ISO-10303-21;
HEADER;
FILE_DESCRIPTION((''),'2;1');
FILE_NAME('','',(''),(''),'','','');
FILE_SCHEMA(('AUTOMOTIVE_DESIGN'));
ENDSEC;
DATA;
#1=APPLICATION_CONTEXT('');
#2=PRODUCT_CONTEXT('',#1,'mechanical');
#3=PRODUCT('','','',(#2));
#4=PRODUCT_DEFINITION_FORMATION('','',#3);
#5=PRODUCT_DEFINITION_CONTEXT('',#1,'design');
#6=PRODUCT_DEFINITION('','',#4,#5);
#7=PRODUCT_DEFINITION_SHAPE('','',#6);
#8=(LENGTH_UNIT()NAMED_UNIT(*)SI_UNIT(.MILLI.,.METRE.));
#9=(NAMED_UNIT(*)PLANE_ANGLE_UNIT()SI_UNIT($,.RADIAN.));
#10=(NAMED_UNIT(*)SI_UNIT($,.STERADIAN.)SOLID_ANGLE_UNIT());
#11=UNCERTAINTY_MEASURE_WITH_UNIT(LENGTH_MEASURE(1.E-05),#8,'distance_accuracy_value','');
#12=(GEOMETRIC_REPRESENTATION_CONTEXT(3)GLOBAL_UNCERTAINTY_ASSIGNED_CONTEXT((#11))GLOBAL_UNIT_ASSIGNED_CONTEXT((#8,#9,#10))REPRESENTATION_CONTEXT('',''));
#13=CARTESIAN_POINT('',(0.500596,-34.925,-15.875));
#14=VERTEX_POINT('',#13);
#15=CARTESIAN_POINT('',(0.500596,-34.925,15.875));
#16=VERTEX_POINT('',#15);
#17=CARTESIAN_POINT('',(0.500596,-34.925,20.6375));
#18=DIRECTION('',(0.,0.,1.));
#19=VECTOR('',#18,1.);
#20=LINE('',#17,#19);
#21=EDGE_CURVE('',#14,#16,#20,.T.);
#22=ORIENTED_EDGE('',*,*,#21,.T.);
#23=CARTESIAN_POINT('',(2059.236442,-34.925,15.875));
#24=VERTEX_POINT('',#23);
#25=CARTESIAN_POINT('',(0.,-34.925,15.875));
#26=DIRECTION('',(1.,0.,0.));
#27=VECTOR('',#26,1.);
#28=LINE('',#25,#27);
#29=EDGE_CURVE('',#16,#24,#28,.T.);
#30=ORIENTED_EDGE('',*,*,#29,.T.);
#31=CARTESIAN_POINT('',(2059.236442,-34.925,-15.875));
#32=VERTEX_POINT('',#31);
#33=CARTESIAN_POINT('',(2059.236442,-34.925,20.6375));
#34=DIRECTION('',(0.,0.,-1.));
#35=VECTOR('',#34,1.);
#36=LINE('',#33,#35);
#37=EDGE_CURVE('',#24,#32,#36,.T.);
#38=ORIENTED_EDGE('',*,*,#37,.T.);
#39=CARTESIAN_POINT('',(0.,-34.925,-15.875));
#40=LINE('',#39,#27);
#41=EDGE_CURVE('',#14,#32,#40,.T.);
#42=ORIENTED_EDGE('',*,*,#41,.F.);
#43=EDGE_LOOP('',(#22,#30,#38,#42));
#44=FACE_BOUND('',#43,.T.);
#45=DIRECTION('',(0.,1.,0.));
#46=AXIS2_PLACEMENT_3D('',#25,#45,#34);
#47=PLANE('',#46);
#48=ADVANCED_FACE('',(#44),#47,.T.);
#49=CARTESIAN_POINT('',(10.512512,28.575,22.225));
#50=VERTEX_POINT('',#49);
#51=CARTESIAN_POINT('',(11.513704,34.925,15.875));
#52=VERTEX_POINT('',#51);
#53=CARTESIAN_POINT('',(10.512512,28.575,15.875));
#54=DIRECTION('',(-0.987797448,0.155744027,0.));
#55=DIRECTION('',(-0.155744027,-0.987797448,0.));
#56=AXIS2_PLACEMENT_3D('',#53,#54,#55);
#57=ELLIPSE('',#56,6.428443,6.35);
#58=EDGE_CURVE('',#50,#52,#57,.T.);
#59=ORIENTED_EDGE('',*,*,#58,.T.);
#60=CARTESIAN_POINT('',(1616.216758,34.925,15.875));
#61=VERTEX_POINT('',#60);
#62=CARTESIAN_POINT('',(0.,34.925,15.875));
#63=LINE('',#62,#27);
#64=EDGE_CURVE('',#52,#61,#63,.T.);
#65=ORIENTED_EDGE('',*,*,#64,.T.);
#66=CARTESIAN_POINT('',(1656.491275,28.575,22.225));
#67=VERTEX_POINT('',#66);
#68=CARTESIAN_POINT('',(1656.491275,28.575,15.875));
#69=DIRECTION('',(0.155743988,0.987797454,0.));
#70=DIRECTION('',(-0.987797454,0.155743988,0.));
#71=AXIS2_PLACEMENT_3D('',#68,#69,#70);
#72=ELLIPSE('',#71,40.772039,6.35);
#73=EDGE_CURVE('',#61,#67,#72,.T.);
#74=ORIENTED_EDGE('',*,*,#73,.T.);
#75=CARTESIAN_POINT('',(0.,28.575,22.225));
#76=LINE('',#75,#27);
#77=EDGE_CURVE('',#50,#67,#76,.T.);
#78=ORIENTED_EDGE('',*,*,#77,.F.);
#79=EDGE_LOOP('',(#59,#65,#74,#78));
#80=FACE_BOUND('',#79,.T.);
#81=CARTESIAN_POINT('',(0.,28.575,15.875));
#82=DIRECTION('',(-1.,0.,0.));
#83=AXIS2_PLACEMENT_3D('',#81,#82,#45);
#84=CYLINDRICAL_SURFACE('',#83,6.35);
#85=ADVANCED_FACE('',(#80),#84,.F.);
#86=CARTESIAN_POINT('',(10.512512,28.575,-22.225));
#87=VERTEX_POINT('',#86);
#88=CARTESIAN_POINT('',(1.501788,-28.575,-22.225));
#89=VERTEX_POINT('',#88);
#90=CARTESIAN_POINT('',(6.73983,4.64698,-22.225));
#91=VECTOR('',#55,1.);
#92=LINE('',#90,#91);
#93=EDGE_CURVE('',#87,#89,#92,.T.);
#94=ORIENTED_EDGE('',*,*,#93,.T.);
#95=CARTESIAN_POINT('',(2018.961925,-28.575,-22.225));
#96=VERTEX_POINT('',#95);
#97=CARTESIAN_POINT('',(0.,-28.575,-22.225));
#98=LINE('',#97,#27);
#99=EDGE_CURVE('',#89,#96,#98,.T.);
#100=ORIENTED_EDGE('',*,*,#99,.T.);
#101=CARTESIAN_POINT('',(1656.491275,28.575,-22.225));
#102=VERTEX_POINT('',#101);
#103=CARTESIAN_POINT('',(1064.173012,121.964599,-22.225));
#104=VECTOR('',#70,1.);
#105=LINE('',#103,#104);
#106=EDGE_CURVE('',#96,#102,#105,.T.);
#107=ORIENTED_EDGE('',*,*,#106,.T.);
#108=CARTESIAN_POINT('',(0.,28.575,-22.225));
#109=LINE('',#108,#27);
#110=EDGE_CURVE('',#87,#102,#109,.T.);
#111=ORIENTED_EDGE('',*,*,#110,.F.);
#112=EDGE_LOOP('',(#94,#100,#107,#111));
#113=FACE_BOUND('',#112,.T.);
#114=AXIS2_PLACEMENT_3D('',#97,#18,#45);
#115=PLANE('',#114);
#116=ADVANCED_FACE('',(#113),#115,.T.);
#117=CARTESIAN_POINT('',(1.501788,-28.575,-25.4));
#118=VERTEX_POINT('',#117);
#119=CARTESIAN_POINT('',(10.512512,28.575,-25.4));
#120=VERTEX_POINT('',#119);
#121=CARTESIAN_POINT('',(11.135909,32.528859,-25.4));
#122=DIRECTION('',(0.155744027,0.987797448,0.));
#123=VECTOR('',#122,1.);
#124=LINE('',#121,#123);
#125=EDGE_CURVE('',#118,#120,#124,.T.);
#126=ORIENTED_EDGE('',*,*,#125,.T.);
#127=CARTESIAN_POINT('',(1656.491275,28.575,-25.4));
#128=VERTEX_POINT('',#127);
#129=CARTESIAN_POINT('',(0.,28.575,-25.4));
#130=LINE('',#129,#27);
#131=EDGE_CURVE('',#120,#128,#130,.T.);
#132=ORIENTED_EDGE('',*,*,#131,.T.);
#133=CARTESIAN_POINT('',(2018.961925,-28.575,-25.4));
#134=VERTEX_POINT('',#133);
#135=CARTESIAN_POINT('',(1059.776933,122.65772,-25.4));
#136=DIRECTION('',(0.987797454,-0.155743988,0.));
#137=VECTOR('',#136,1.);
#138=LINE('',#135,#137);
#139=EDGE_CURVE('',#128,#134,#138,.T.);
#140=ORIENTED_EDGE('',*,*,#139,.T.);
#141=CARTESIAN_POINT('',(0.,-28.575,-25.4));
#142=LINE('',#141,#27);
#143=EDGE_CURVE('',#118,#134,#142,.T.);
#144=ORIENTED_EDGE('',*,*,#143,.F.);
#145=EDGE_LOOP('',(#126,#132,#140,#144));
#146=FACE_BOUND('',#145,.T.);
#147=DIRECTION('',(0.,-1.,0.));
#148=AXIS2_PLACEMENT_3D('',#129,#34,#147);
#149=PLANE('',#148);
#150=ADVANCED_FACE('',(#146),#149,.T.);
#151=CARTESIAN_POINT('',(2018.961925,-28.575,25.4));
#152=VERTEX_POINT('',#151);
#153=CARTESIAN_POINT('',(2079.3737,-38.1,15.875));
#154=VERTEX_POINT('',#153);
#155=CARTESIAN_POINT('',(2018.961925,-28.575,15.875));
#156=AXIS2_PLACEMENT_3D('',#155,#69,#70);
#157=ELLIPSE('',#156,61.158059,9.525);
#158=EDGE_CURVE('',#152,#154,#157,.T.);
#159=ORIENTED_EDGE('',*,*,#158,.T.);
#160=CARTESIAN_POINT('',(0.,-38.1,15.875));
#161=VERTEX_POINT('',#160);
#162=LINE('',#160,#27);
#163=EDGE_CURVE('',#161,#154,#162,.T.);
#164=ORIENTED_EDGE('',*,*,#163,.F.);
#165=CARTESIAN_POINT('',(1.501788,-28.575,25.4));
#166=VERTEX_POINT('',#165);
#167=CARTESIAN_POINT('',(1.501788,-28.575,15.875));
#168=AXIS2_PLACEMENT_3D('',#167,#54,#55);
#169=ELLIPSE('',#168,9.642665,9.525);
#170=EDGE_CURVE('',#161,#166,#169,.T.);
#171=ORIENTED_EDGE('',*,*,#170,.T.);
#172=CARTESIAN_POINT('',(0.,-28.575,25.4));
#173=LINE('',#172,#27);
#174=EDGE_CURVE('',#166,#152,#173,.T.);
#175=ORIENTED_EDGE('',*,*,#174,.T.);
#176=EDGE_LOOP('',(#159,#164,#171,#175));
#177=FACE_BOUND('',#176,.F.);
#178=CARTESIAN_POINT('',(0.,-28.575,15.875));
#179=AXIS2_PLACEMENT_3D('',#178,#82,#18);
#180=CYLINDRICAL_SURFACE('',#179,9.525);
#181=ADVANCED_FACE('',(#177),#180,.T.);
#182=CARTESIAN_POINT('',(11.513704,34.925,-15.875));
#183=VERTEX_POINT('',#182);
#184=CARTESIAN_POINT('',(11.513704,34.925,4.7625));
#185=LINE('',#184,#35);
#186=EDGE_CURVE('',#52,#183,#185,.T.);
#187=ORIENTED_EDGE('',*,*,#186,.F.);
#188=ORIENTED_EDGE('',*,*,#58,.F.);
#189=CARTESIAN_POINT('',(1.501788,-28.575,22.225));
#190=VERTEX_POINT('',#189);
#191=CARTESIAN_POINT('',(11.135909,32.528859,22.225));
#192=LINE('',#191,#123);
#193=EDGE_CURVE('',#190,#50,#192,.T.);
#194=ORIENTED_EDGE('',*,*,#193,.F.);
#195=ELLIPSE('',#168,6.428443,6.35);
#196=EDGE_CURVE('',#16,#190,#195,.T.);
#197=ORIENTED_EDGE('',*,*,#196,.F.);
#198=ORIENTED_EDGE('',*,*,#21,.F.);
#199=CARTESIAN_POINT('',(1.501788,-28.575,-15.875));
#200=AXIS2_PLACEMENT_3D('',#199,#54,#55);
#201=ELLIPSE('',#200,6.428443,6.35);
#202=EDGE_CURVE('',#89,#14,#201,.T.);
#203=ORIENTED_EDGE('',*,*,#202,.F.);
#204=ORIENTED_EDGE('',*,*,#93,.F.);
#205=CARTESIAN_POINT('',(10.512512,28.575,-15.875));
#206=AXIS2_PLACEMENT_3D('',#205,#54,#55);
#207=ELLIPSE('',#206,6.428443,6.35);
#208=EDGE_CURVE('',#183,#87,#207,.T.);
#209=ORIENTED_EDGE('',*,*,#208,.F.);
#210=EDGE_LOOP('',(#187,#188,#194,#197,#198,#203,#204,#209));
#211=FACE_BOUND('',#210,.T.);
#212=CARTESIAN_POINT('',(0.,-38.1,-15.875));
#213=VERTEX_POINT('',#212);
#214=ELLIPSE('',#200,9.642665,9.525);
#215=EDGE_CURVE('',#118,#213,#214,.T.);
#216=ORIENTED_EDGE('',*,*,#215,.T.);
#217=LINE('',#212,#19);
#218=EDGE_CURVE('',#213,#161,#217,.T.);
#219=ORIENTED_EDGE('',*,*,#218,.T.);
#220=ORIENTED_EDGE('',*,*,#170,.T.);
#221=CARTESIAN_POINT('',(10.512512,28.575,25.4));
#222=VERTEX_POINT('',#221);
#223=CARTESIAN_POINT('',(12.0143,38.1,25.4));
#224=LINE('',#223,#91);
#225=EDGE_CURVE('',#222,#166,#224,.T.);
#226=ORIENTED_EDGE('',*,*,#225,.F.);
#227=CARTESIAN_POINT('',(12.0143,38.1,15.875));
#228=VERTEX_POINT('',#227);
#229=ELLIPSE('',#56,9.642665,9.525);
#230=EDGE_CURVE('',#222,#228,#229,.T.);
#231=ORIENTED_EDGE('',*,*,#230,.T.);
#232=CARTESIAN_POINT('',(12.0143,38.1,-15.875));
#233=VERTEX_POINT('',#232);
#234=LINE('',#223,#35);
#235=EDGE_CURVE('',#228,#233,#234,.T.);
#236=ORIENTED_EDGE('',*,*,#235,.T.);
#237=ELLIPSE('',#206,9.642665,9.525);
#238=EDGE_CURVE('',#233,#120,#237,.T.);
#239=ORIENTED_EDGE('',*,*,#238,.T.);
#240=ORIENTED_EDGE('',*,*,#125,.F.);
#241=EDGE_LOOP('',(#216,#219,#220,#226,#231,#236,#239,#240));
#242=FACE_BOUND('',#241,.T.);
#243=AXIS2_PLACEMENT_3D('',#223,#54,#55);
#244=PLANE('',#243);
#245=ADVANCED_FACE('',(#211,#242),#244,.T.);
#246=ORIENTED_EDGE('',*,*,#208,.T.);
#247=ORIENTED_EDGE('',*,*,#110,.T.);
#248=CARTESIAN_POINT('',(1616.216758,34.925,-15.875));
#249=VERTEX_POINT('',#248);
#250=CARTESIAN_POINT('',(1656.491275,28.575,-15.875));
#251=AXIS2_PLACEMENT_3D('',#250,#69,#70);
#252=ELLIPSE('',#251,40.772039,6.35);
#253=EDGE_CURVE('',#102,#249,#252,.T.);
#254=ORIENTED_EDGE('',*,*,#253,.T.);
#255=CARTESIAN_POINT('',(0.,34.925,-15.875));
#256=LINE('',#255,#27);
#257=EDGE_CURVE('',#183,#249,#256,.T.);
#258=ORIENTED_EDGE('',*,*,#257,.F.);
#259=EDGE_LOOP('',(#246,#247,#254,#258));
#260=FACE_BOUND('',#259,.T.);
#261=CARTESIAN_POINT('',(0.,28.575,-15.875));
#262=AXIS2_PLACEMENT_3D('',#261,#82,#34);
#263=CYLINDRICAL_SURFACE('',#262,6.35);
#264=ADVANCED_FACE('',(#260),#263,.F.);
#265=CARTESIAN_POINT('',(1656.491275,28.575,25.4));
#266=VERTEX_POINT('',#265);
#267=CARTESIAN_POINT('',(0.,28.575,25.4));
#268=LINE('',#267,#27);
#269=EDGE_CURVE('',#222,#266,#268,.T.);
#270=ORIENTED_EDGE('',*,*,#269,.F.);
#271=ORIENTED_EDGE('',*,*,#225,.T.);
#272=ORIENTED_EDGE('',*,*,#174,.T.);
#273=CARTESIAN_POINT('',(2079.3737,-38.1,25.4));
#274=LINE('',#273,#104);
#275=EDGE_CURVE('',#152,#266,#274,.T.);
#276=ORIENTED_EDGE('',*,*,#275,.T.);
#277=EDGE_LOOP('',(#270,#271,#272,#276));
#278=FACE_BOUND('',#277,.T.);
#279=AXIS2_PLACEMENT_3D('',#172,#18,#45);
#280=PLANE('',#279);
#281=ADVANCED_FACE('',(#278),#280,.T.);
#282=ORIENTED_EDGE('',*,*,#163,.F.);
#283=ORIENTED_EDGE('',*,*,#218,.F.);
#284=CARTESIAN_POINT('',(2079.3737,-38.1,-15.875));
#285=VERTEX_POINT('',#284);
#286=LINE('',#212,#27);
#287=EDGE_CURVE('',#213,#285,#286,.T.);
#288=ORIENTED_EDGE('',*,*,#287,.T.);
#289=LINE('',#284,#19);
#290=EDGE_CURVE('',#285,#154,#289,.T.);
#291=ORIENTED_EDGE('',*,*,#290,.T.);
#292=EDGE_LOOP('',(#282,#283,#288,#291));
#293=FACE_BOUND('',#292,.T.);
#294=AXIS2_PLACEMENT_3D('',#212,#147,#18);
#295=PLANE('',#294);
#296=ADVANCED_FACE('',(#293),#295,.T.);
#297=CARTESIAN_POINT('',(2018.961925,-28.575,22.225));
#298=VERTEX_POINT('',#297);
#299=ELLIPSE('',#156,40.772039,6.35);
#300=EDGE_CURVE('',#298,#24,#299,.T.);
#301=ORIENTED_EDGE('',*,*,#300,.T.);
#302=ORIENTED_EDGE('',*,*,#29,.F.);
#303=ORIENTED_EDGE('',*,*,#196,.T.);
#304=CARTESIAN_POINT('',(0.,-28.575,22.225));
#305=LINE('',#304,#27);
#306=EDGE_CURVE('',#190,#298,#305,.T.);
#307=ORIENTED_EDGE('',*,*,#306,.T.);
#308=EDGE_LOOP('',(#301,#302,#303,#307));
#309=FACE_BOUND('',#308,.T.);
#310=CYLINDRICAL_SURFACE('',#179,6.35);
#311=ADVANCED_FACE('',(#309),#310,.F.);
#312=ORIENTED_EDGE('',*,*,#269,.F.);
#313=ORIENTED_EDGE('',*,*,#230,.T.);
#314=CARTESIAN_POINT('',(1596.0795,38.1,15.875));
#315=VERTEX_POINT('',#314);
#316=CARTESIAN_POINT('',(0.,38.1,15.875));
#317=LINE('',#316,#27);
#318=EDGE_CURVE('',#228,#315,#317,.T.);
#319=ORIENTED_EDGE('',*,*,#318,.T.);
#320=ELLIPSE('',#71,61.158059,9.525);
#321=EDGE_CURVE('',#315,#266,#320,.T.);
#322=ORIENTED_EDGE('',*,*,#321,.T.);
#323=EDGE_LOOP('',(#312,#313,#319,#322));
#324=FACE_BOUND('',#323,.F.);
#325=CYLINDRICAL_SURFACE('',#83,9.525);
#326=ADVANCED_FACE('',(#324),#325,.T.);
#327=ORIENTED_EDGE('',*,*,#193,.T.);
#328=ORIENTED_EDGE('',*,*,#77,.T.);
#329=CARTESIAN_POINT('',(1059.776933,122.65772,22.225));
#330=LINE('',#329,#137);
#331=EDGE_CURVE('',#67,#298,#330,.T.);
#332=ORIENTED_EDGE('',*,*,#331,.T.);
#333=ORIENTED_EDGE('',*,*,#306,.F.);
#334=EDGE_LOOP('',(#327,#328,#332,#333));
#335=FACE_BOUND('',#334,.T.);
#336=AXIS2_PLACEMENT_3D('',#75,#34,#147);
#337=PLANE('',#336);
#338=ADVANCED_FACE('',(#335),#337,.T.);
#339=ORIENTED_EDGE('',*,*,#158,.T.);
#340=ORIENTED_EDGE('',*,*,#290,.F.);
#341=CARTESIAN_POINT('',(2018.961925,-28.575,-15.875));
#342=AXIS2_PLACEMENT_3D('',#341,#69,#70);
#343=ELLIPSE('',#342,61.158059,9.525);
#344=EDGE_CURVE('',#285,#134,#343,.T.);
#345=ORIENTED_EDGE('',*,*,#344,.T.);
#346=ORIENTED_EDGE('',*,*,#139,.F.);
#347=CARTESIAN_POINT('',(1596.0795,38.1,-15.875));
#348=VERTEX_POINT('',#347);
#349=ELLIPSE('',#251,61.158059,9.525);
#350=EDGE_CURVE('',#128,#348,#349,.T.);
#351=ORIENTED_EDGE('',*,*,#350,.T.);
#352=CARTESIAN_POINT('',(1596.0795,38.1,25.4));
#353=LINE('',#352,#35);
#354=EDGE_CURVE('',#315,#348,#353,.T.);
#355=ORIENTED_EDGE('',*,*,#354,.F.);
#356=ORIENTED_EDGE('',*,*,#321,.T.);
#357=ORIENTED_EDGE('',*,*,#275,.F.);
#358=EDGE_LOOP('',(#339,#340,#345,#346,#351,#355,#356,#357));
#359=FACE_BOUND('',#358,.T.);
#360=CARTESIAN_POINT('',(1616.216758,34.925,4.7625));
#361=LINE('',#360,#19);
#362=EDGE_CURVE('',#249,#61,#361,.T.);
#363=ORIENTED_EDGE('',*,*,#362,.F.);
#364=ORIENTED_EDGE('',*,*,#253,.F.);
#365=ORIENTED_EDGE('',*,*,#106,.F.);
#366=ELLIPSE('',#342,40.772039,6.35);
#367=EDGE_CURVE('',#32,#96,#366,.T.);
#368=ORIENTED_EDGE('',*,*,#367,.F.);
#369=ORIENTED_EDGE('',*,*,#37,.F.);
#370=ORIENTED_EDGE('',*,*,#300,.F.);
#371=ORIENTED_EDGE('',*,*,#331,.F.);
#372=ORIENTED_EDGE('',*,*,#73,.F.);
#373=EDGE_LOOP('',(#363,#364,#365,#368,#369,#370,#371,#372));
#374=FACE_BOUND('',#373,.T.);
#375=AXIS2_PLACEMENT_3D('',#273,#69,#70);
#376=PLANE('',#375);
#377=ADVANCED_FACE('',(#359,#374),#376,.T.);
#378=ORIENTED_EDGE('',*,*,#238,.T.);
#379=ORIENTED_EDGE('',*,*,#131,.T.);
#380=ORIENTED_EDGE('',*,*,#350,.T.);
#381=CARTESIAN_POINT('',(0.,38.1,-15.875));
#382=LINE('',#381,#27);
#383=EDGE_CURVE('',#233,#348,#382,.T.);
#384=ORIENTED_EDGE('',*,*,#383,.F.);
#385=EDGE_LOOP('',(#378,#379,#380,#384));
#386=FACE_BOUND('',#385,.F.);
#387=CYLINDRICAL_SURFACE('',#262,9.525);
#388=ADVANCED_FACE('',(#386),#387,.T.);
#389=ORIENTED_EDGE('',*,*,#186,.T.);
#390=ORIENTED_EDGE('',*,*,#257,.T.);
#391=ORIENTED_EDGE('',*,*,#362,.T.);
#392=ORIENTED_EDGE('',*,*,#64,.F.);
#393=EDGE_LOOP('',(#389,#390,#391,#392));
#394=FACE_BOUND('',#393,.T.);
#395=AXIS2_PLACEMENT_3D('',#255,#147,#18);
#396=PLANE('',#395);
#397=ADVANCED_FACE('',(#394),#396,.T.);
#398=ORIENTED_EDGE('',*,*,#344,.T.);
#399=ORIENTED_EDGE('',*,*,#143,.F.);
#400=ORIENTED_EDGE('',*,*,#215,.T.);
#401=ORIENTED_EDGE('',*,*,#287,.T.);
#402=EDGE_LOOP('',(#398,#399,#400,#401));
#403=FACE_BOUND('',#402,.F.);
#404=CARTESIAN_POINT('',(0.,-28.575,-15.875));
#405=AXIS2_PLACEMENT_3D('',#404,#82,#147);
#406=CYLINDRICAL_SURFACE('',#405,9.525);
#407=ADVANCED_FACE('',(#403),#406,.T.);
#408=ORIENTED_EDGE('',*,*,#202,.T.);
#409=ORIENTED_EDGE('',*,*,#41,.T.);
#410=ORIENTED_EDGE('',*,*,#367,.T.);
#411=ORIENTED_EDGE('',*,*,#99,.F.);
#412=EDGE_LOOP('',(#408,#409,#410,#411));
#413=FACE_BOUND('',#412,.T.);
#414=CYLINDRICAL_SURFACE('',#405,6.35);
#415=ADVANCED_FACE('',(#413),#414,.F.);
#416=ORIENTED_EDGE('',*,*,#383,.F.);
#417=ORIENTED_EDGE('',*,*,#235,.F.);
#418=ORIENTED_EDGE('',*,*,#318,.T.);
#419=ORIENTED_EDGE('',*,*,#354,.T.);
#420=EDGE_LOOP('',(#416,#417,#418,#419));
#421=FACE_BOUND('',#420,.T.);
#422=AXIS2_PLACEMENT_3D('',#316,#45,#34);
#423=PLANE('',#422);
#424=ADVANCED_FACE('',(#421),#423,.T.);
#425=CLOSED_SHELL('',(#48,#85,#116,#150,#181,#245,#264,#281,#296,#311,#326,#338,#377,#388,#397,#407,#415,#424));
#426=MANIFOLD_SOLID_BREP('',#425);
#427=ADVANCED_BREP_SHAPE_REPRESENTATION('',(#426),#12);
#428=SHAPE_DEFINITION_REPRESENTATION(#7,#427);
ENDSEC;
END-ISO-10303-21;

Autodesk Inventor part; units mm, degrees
ref_plane "YZ Plane" through (0, 0, 0) normal (1, 0, 0) x (0, 1, 0)
ref_plane "XZ Plane" through (0, 0, 0) normal (0, 1, 0) x (-1, 0, 0)
ref_plane "XY Plane" through (0, 0, 0) normal (0, 0, 1) x (1, 0, 0)
sketch "Sketch1" plane through (0, 0, 0) normal (1, 0, 0) x (0, 1, 0)
  line L0 (-28.575, 25.4) -> (28.575, 25.4)
  line L1 (38.1, 15.875) -> (38.1, -15.875)
  line L2 (28.575, -25.4) -> (-28.575, -25.4)
  line L3 (-38.1, -15.875) -> (-38.1, 15.875)
  line L4 (-38.1, 25.4) -> (38.1, -25.4) construction
  line L5 (38.1, 25.4) -> (-38.1, -25.4) construction
  arc A0 (38.1, 15.875) -> (28.575, 25.4) centre (28.575, 15.875) ccw
  arc A1 (-28.575, 25.4) -> (-38.1, 15.875) centre (-28.575, 15.875) ccw
  arc A2 (-38.1, -15.875) -> (-28.575, -25.4) centre (-28.575, -15.875) ccw
  arc A3 (28.575, -25.4) -> (38.1, -15.875) centre (28.575, -15.875) ccw
  line L6 (34.925, -15.875) -> (34.925, 15.875)
  arc A4 (34.925, 15.875) -> (28.575, 22.225) centre (28.575, 15.875) ccw
  line L7 (28.575, 22.225) -> (-28.575, 22.225)
  arc A5 (-28.575, 22.225) -> (-34.925, 15.875) centre (-28.575, 15.875) ccw
  line L8 (-34.925, 15.875) -> (-34.925, -15.875)
  arc A6 (-34.925, -15.875) -> (-28.575, -22.225) centre (-28.575, -15.875) ccw
  line L9 (-28.575, -22.225) -> (28.575, -22.225)
  arc A7 (28.575, -22.225) -> (34.925, -15.875) centre (28.575, -15.875) ccw
  point P0 (0, 0)
  dimension "d0" = 76.2
  dimension "d1" = 50.8
  dimension "d2" = 9.525
  dimension "d3" = 3.175
extrude "Extrusion1" add sketch "Sketch1" along normal blind 2079.3737
sketch "Sketch2" plane through (0, -28.575, 25.4) normal (0, 0, 1) x (1, 0, 0)
  line L0 (0, -9.525) -> (2079.3737, -9.525) projected
  line L1 (0, -9.525) -> (0, 66.675)
  line L2 (0, 66.675) -> (12.0143, 66.675)
  line L3 (0, 66.675) -> (2079.3737, 66.675) projected
  line L4 (0, -9.525) -> (0, 0) projected
  line L5 (12.0143, 66.675) -> (0, -9.525)
  line L6 (2079.3737, -9.525) -> (1596.0795, 66.675)
  line L7 (1596.0795, 66.675) -> (2079.3737, 66.675)
  line L8 (2079.3737, 66.675) -> (2079.3737, -9.525)
  point P0 (0, 28.575)
  dimension "d6" = 8.96
  dimension "d7" = 8.96
extrude "Extrusion2" cut sketch "Sketch2" against normal through all contours L1 L2 L5 | L6 L3 L8
equation "\"d0\" = stockWidth"
equation "\"d1\" = stockHeight"
equation "\"d2\" = stockRad"
equation "\"d3\" = stockGuage"
equation "\"d4\" = sup2Len"
equation "\"d6\" = sup2Ang"
equation "\"d7\" = sup2Ang"
equation "\"height\" = 203.2"
equation "\"shaftDiam\" = 6.35"
equation "\"shaftSpace\" = 1.5875"
equation "\"stageSpace\" = 2.54"
equation "\"stageAngle\" = 15deg"
equation "\"stockHeight\" = 50.8"
equation "\"stockWidth\" = 76.2"
equation "\"stockRad\" = 9.525"
equation "\"stockGuage\" = 3.175"
equation "\"groundActu\" = 304.8"
equation "\"baseWidth\" = 1066.8"
equation "\"baseDepth\" = 254"
equation "\"capThickness\" = 3.175"
equation "\"sup1Len\" = 660.4"
equation "\"sup1Ang\" = 22.619865deg"
equation "\"sup2Len\" = 2079.37366"
equation "\"sup2Ang\" = 8.95995deg"
equation "\"supVertLen\" = 955.13561"
equation "\"supSideAng\" = 19.376933deg"
equation "\"supSideLen\" = 1531.12879"
equation "\"FlangeDiam\" = 12.7"
equation "\"bearingDiam\" = 9.5504"
equation "\"FlangeDepth\" = 1.5875"
equation "\"smallFilet\" = 0.39687"
equation "\"thickness\" = 12.7"
equation "\"ringDiam\" = 96.46608"
properties part number "support 2" material "Aluminum 6061"
